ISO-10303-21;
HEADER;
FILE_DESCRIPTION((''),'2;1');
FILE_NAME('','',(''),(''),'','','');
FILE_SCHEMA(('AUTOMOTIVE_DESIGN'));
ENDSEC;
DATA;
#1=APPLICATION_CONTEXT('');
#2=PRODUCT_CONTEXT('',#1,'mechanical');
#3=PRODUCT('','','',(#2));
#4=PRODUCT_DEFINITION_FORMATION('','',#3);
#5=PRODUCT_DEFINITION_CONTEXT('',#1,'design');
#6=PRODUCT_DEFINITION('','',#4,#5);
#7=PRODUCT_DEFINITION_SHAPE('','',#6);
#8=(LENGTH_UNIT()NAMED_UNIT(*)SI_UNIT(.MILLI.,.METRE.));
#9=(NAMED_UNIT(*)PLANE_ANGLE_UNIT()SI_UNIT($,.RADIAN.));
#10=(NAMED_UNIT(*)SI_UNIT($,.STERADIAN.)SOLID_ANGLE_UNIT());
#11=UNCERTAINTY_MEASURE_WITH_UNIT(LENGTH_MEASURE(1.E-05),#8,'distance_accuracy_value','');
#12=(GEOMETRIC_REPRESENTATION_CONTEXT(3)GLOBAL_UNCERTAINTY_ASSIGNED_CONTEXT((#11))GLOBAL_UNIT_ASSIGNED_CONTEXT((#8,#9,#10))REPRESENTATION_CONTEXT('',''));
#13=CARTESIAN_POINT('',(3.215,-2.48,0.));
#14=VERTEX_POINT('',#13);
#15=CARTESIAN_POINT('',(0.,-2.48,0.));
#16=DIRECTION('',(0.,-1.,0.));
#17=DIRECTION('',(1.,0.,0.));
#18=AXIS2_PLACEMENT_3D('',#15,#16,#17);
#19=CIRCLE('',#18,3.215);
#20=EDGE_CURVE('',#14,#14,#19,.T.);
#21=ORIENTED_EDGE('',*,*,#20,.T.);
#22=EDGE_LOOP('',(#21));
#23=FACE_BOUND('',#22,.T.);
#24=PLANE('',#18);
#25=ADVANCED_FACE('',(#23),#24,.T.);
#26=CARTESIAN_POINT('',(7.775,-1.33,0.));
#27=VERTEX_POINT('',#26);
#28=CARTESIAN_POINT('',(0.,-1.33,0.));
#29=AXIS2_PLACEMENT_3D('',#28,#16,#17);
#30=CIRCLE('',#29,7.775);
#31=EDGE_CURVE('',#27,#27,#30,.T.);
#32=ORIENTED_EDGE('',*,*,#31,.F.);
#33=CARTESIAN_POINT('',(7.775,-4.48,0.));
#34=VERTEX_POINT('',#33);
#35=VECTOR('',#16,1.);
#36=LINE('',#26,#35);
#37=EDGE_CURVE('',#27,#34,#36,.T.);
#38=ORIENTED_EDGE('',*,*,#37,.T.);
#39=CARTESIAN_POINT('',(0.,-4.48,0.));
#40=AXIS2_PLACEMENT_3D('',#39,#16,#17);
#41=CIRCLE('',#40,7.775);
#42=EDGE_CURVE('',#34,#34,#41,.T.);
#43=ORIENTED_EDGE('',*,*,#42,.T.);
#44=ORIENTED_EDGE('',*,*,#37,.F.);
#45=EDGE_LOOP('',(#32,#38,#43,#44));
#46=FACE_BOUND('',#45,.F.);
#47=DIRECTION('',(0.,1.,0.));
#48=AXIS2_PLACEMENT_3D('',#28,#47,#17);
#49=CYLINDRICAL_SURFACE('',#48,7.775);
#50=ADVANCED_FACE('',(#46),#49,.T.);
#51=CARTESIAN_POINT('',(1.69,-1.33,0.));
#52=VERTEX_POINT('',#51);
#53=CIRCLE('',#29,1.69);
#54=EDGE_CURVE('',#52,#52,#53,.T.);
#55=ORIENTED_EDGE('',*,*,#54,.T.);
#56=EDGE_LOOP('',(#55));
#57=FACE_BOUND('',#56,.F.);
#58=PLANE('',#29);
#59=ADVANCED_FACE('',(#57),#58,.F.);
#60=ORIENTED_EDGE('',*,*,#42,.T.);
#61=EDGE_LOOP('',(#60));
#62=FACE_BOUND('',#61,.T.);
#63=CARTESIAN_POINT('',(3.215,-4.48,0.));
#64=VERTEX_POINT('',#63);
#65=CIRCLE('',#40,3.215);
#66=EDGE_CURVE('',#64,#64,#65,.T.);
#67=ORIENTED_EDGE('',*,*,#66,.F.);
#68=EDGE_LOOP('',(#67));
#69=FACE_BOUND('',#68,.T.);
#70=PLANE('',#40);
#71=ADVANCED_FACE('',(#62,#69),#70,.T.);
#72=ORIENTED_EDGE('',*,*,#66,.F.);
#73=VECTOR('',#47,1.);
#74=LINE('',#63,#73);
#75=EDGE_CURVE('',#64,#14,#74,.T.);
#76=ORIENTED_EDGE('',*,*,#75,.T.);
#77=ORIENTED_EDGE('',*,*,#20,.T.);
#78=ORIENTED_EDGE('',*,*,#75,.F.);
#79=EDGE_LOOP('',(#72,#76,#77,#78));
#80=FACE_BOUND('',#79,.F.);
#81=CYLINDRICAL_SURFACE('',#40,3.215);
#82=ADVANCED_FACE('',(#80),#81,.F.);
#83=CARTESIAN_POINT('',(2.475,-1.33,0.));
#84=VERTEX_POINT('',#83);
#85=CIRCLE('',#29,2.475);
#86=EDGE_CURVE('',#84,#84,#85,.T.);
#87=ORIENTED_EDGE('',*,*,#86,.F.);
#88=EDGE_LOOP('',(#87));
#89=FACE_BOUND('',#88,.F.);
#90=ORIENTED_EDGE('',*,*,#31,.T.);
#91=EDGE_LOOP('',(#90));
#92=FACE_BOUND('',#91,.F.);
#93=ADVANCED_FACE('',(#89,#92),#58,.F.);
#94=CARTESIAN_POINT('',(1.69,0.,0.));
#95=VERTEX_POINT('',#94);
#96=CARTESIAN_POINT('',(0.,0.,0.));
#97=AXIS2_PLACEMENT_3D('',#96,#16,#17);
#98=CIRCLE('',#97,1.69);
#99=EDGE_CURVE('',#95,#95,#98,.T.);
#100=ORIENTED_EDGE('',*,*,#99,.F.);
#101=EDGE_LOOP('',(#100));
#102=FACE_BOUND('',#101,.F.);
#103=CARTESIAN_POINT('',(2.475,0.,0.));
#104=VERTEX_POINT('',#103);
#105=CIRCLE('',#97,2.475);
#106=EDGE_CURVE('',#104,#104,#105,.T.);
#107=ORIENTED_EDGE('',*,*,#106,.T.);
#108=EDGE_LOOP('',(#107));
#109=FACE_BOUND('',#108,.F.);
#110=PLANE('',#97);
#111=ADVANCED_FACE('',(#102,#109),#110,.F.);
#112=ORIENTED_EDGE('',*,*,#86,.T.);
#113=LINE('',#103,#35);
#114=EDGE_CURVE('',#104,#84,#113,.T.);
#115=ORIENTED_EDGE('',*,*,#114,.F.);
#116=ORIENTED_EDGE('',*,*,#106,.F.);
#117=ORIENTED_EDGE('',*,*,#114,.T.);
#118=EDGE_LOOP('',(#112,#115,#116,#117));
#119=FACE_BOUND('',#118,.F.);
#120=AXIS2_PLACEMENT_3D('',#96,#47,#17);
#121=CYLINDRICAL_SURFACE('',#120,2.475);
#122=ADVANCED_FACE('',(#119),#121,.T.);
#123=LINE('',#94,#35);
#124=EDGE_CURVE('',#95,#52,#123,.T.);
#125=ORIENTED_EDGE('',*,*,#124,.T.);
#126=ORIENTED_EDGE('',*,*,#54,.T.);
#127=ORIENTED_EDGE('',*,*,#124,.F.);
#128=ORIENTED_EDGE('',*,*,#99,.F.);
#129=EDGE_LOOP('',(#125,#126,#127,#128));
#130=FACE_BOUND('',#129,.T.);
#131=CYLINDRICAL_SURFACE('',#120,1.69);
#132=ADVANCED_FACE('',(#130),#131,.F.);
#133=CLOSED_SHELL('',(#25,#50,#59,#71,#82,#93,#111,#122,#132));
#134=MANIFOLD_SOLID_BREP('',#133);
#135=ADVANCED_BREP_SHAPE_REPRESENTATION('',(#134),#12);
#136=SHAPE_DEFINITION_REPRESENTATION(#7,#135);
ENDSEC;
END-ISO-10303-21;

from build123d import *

# Parameters (mm, degrees)
F0_R     = 2.475
F0_R_2   = 1.69
F1_DEPTH = 1.33
F2_R     = 7.775
F3_DEPTH = 3.15
F4_R     = 3.215
F5_DEPTH = 2


with BuildPart() as f1:
    # F0 (on Front) → F1 (new body)
    with BuildSketch(Plane.XZ):
        Circle(F0_R)
        Circle(F0_R_2, mode=Mode.SUBTRACT)
    extrude(amount=F1_DEPTH)

    # F2 (on face) → F3 (join)
    with BuildSketch(Plane.XZ.offset(1.33)):
        Circle(F2_R)
    extrude(amount=F3_DEPTH)

    # F4 (on face) → F5 (cut)
    with BuildSketch(Plane.XZ.offset(4.48)):
        Circle(F4_R)
    extrude(amount=-F5_DEPTH, mode=Mode.SUBTRACT)


solid = f1.part
